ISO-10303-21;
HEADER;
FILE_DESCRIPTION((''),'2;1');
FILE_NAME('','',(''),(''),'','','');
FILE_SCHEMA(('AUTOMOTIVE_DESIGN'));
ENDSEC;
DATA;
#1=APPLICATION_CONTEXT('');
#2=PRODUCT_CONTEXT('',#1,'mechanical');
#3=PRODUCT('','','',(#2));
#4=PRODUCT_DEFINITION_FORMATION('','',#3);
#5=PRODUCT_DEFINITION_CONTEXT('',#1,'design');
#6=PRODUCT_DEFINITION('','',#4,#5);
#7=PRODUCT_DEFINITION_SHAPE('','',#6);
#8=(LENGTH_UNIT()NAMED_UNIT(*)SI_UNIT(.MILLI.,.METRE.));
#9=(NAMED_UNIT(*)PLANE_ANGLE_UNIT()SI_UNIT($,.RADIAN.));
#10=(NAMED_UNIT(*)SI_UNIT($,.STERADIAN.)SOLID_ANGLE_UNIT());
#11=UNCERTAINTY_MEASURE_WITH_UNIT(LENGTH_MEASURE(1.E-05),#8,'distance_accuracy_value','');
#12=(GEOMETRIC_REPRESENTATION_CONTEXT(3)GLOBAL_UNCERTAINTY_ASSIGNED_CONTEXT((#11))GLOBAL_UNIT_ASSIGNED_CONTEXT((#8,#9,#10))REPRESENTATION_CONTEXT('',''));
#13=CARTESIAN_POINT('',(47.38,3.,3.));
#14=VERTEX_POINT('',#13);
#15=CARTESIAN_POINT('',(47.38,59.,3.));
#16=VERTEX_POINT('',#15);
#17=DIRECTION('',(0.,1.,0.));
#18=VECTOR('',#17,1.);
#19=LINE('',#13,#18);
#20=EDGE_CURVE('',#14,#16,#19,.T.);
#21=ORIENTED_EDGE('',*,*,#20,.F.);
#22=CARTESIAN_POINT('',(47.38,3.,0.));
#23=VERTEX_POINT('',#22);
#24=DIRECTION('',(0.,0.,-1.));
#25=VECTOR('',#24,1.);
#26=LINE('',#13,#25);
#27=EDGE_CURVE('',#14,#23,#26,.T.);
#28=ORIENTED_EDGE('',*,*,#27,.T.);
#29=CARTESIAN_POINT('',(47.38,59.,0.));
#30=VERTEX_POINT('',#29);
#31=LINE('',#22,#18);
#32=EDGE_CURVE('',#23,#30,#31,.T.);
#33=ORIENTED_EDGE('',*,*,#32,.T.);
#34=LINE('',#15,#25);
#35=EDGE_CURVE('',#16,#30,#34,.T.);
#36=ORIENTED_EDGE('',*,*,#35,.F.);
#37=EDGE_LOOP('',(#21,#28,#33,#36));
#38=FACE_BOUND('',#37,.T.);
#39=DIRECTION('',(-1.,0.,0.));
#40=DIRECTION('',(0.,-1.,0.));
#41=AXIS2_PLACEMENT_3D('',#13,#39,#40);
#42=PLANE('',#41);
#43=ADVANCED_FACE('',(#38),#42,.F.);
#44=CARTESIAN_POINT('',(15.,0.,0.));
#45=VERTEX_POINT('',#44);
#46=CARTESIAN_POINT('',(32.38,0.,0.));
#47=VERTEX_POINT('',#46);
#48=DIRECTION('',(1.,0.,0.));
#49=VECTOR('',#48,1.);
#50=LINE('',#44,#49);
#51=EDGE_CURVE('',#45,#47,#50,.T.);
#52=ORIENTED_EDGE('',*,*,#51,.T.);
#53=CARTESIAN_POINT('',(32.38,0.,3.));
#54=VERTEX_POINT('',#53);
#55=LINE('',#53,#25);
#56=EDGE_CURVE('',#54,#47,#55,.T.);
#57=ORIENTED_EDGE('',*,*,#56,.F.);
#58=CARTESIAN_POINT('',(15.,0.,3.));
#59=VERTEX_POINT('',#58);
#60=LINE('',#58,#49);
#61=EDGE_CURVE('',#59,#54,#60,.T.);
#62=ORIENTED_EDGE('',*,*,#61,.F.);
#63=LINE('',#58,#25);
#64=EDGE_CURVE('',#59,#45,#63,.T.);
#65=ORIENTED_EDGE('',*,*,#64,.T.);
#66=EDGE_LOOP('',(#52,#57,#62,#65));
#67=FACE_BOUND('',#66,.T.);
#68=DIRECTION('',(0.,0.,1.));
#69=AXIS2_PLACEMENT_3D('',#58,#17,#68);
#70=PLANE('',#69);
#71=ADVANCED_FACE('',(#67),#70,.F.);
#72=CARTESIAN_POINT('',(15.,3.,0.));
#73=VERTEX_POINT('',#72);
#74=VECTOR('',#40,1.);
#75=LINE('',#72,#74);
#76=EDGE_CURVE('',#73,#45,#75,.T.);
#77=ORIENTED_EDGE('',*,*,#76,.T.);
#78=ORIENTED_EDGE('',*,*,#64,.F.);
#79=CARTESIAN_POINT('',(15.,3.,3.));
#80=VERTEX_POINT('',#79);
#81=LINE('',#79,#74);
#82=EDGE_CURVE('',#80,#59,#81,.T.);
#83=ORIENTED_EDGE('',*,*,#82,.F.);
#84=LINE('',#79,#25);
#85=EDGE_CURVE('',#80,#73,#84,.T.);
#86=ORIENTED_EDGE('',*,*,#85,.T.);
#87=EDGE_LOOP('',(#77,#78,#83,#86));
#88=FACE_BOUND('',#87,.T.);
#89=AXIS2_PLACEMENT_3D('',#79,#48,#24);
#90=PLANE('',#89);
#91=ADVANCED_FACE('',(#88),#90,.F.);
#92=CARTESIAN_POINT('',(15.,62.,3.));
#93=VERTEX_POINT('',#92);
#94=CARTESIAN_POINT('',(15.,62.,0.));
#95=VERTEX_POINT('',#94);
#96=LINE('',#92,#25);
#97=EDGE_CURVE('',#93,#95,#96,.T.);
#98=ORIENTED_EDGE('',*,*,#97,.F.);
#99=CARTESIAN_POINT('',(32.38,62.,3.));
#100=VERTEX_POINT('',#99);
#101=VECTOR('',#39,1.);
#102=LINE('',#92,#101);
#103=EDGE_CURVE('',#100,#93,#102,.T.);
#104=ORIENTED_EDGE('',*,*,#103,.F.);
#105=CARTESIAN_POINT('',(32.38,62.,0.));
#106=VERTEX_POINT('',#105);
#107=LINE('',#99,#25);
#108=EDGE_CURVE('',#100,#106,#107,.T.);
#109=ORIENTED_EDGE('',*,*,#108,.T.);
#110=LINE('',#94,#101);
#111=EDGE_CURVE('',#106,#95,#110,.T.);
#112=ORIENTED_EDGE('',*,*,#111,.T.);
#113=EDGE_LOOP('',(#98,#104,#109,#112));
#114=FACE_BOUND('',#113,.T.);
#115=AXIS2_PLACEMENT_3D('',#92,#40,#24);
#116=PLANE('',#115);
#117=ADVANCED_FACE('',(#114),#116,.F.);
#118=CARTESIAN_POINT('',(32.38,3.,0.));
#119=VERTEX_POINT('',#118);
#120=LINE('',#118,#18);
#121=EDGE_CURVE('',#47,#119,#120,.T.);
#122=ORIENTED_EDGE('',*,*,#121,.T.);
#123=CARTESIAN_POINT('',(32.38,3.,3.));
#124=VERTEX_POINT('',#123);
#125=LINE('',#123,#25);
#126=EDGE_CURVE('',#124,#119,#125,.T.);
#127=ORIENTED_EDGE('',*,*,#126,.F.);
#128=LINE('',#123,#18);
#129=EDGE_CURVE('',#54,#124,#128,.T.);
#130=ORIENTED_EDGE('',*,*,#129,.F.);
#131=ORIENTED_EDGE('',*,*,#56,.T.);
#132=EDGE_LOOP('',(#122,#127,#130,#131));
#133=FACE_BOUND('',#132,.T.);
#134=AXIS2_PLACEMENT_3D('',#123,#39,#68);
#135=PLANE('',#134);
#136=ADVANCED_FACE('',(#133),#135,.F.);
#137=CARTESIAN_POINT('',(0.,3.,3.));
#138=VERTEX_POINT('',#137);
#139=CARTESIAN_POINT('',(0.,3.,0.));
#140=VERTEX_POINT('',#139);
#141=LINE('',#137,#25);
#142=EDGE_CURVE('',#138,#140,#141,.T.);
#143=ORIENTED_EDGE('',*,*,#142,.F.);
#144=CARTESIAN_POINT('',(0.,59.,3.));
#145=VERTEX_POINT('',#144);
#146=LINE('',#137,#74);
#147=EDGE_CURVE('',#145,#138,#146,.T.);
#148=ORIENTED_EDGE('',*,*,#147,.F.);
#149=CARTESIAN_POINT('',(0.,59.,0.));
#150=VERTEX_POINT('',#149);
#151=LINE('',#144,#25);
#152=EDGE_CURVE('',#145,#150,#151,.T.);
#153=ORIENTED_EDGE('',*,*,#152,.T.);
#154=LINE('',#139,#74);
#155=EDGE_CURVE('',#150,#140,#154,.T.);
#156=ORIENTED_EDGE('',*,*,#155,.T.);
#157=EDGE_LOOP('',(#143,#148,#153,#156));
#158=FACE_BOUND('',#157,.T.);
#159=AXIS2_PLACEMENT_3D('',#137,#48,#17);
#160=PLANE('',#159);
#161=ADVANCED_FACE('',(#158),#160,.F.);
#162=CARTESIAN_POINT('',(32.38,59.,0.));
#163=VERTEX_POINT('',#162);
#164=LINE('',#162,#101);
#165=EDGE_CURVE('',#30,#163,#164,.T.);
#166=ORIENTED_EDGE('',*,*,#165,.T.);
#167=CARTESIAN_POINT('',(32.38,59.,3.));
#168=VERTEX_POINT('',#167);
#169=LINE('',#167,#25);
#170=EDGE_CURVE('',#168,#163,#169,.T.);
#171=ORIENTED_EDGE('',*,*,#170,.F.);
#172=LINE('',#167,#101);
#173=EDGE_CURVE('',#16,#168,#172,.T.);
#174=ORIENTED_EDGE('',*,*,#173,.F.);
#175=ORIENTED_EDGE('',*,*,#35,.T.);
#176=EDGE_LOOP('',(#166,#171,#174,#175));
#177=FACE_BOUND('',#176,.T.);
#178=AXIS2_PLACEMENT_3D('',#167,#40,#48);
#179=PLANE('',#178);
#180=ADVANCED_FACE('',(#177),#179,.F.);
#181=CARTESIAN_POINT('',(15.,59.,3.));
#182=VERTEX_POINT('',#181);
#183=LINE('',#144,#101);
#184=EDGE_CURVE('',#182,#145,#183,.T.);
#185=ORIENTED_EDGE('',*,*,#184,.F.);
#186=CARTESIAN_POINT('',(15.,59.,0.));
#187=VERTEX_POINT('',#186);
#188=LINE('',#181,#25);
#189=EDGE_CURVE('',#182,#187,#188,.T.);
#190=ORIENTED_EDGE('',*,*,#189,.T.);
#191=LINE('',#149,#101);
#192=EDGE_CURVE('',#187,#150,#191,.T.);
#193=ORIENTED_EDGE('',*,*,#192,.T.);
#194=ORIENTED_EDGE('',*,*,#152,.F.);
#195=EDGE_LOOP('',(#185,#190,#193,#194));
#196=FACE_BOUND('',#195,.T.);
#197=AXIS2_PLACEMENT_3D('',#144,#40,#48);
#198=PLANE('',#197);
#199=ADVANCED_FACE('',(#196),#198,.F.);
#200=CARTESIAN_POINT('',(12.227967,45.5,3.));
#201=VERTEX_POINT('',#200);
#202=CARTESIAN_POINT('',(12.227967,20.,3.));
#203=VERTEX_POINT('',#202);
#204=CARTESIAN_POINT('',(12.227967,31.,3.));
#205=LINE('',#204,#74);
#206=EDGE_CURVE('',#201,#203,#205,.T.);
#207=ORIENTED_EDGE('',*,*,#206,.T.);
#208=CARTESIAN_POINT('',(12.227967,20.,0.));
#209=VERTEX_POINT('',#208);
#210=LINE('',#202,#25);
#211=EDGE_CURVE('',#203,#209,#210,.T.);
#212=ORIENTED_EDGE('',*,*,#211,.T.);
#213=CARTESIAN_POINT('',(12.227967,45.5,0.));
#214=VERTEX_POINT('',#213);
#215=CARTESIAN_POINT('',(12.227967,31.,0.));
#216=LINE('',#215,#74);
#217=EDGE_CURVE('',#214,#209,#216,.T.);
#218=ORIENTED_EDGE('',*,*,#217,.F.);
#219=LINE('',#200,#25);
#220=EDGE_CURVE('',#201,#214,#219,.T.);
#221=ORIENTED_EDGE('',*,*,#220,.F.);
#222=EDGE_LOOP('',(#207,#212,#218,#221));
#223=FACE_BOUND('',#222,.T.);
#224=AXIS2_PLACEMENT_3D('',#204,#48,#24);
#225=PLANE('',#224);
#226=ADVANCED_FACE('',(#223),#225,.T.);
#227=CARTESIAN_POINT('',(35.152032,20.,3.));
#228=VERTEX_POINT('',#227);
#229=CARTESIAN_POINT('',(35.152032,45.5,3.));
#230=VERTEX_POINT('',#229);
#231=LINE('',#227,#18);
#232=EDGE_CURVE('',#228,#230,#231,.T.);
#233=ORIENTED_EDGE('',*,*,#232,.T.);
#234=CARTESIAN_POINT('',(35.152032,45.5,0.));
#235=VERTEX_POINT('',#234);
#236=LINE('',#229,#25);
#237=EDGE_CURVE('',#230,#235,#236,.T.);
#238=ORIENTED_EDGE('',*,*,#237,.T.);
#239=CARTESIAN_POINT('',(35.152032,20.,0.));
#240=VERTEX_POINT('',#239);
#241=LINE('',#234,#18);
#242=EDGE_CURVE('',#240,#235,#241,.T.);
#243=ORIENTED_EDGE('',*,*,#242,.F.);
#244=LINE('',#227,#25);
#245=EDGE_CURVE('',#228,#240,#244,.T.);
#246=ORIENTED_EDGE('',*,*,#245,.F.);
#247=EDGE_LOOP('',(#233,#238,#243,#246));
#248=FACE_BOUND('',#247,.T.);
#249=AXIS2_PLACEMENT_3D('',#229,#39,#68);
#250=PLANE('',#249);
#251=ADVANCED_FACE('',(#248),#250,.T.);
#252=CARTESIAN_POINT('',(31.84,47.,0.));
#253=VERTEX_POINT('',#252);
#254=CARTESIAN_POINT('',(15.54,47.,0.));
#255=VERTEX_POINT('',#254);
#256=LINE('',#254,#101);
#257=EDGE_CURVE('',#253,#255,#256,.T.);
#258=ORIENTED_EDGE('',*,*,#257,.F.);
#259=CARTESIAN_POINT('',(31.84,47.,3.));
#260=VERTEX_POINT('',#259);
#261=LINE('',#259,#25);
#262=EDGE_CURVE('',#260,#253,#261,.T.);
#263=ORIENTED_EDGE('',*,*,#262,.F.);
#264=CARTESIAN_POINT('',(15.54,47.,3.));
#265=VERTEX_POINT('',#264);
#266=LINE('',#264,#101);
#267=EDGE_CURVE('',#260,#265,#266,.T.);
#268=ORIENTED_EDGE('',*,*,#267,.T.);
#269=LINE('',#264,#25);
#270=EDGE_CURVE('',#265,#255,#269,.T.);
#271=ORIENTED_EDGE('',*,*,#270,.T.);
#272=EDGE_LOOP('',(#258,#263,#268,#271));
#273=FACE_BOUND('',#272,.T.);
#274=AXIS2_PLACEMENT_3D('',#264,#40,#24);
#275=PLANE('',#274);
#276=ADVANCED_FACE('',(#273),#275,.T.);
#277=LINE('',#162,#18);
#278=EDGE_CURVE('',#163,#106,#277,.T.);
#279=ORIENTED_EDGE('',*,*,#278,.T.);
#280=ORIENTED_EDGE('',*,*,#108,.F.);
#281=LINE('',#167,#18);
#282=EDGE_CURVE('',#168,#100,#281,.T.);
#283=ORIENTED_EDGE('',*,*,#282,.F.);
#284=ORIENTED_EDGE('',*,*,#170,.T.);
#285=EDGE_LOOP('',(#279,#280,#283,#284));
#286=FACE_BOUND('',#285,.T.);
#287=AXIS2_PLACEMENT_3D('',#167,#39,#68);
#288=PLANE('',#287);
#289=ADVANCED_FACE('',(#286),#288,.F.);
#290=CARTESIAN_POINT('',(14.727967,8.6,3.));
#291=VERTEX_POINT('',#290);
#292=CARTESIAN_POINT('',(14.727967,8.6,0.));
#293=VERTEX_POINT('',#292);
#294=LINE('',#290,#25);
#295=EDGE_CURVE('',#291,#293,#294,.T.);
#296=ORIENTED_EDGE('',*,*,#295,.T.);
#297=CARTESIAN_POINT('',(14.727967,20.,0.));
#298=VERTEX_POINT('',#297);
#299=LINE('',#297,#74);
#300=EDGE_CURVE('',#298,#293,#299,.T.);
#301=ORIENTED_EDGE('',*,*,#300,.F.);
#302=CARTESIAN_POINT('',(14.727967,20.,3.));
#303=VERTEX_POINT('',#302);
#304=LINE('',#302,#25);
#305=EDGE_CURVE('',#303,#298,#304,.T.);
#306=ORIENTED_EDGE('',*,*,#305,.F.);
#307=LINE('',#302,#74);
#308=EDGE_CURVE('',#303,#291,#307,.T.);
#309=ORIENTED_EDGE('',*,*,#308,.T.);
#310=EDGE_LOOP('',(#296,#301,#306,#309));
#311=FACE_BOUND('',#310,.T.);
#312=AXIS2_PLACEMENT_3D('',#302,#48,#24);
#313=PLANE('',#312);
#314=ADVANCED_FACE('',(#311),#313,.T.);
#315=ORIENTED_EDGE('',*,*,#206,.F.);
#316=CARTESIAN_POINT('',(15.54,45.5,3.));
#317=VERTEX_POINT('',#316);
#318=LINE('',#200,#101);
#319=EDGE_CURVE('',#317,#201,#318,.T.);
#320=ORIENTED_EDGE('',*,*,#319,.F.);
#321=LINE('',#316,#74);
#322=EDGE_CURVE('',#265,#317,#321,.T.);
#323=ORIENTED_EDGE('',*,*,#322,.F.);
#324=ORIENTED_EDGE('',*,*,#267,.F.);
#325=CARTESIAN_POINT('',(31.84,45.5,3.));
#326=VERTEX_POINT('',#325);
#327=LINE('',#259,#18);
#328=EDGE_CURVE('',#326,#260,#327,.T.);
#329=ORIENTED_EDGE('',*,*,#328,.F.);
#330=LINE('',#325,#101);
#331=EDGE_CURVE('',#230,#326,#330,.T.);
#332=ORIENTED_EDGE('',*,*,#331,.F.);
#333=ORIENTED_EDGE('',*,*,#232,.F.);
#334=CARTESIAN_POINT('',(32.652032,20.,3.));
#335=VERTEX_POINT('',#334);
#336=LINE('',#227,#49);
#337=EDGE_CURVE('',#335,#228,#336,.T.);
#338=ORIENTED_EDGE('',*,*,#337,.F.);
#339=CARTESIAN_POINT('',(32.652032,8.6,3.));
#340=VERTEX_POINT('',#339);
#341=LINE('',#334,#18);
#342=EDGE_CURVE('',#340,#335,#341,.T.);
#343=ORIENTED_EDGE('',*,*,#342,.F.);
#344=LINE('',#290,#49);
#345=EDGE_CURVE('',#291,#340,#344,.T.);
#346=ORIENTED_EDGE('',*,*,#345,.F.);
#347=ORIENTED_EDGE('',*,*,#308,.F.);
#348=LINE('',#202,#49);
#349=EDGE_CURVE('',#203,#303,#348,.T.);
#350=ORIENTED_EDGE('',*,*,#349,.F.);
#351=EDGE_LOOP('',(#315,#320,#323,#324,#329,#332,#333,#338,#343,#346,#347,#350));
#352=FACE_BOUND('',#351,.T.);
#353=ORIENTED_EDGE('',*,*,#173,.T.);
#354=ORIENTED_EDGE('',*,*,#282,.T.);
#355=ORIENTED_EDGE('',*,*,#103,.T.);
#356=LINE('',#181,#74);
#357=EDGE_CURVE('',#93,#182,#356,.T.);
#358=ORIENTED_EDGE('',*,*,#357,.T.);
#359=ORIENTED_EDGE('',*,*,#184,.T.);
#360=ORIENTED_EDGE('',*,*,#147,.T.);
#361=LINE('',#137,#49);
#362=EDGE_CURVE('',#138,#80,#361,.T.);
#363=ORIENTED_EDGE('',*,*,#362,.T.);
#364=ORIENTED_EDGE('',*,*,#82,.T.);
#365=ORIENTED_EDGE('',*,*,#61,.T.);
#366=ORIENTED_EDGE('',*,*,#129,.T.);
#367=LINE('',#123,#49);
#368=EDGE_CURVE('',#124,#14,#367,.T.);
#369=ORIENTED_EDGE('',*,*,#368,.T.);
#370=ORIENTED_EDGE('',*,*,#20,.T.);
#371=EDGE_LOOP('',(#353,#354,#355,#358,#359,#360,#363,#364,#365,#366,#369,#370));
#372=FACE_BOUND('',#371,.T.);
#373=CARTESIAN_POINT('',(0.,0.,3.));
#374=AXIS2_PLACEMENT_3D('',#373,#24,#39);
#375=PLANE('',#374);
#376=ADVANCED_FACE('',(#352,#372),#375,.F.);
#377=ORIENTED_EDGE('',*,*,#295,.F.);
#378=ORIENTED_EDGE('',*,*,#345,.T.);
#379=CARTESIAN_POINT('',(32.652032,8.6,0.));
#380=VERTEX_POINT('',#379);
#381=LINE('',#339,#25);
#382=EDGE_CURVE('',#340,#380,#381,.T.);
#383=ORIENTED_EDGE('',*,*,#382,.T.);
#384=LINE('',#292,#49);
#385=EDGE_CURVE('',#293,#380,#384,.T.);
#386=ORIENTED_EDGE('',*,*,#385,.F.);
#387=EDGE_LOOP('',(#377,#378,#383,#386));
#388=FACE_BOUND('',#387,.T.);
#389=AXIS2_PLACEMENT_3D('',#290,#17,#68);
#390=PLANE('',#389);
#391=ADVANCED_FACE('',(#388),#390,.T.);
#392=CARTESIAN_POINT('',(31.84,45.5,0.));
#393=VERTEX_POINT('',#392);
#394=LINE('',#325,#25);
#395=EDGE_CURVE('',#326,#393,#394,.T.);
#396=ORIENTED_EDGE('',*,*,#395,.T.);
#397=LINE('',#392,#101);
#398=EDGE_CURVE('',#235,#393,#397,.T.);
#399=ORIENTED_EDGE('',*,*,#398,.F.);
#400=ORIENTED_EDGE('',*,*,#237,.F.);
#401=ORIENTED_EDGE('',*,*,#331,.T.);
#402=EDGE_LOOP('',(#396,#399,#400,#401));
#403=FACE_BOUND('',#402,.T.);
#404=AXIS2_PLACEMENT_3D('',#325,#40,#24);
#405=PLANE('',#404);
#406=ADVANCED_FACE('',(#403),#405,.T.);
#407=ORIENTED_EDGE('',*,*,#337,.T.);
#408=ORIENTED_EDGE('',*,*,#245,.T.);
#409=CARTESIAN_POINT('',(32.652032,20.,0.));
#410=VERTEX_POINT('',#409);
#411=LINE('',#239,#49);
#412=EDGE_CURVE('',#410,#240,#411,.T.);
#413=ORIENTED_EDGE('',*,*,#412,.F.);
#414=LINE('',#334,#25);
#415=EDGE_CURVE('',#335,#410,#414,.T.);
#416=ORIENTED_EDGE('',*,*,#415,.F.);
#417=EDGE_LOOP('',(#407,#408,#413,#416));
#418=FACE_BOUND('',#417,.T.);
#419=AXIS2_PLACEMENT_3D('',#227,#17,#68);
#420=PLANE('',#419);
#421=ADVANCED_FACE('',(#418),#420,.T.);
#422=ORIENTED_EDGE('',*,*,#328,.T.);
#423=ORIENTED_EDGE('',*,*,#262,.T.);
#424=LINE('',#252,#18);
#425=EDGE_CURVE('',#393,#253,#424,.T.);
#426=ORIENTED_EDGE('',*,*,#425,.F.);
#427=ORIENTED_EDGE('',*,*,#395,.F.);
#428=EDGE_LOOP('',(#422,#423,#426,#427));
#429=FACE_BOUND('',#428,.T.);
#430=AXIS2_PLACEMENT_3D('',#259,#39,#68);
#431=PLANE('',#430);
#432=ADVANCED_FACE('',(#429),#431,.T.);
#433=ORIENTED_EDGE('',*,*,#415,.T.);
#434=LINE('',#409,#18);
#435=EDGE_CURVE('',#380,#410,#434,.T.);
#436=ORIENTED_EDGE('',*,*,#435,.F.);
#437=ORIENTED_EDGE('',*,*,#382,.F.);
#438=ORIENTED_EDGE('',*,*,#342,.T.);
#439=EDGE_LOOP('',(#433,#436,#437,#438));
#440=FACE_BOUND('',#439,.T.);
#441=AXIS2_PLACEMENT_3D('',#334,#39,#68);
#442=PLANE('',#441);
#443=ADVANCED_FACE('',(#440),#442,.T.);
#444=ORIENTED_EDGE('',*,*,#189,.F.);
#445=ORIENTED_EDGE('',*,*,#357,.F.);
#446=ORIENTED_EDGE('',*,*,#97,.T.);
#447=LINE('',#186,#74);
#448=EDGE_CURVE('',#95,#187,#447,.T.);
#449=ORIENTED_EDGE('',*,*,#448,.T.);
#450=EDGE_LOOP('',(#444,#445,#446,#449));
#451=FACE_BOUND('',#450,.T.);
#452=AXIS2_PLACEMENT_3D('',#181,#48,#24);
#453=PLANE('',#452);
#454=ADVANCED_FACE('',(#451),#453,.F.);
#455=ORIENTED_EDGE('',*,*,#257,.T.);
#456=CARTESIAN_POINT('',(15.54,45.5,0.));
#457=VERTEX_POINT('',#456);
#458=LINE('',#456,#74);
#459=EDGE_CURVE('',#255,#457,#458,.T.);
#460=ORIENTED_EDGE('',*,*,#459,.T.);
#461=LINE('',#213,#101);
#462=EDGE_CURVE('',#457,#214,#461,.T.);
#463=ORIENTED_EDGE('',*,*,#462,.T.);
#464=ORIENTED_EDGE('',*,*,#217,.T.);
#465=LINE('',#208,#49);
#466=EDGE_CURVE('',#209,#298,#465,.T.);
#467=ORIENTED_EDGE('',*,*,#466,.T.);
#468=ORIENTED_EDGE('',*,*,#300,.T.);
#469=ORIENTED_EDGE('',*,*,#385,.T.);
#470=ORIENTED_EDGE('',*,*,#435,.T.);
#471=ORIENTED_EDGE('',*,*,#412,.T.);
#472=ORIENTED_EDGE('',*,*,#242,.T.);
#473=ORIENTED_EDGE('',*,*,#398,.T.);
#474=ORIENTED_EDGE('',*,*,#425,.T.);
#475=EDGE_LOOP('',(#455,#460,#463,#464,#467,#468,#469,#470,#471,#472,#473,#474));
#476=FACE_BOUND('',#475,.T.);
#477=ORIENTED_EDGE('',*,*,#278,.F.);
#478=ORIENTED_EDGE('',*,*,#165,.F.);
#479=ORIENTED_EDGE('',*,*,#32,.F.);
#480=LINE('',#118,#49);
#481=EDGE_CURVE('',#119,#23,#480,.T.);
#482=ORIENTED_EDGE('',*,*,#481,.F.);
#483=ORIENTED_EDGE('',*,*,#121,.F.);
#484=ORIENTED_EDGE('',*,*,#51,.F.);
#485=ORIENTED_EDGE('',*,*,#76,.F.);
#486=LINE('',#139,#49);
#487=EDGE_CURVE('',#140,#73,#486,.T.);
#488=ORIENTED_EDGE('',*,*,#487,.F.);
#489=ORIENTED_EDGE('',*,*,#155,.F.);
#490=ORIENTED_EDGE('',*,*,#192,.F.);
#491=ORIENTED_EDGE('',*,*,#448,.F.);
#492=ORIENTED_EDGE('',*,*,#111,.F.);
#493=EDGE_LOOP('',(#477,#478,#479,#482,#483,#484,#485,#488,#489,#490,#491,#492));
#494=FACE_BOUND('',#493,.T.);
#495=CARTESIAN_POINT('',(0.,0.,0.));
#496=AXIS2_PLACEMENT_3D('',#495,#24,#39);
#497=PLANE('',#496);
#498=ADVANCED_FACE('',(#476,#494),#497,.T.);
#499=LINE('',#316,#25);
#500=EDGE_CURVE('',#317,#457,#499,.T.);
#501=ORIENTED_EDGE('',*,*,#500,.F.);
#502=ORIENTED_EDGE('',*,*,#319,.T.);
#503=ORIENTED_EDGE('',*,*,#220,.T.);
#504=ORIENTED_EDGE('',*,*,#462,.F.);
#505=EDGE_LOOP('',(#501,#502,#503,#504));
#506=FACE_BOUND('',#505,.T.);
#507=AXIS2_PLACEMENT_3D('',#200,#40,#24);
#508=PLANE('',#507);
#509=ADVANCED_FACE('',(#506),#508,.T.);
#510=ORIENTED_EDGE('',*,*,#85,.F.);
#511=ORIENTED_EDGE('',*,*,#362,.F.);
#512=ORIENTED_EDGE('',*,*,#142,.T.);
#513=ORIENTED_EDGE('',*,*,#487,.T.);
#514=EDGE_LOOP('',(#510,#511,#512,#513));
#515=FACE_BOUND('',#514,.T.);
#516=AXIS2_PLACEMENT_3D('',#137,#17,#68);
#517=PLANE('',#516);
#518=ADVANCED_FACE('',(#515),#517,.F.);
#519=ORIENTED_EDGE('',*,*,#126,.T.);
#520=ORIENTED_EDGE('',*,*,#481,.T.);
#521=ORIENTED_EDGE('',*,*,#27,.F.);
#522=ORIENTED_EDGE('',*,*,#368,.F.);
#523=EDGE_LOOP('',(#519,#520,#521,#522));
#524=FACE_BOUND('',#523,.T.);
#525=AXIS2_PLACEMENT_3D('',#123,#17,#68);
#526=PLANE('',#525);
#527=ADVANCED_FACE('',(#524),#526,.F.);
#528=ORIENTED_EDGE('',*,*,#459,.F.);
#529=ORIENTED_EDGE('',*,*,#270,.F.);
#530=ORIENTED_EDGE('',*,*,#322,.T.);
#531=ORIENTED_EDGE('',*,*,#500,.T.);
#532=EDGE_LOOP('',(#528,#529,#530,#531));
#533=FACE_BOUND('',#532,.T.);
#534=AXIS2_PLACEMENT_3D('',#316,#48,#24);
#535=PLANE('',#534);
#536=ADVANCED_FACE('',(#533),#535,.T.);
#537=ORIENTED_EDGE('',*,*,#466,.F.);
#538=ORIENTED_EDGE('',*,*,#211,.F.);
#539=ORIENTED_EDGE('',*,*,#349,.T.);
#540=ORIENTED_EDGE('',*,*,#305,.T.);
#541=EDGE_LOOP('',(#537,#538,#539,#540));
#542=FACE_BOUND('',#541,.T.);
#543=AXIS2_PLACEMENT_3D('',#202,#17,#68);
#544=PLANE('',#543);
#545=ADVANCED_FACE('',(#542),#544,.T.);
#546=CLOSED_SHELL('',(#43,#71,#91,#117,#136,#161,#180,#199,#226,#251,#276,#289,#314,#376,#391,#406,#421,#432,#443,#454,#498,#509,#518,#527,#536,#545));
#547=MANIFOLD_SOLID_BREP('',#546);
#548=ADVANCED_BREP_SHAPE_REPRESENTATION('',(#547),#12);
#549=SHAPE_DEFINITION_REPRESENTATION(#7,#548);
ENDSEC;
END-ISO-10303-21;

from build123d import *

# Parameters (mm, degrees)
P_IDAT_VYSUNUT_M1_DEPTH = 3


with BuildPart() as part:
    # Skica1 → Přidat vysunutím1 (new body)
    with BuildSketch(Plane.XY):
        Polygon((0, 3), (15, 3), (15, 0), (32.38, 0), (32.38, 3), (47.38, 3), (47.38, 59), (32.38, 59), (32.38, 62), (15, 62), (15, 59), (0, 59), align=None)
        Polygon((12.227967454, 31), (12.227967454, 45.5), (15.539999999, 45.5), (15.539999999, 47), (31.839999999, 47), (31.839999999, 45.5), (35.152032457, 45.5), (35.152032457, 31), (35.152032457, 20), (32.652032457, 20), (32.652032457, 8.6), (14.727967454, 8.6), (14.727967454, 20), (12.227967454, 20), align=None, mode=Mode.SUBTRACT)
    extrude(amount=P_IDAT_VYSUNUT_M1_DEPTH)


solid = part.part
